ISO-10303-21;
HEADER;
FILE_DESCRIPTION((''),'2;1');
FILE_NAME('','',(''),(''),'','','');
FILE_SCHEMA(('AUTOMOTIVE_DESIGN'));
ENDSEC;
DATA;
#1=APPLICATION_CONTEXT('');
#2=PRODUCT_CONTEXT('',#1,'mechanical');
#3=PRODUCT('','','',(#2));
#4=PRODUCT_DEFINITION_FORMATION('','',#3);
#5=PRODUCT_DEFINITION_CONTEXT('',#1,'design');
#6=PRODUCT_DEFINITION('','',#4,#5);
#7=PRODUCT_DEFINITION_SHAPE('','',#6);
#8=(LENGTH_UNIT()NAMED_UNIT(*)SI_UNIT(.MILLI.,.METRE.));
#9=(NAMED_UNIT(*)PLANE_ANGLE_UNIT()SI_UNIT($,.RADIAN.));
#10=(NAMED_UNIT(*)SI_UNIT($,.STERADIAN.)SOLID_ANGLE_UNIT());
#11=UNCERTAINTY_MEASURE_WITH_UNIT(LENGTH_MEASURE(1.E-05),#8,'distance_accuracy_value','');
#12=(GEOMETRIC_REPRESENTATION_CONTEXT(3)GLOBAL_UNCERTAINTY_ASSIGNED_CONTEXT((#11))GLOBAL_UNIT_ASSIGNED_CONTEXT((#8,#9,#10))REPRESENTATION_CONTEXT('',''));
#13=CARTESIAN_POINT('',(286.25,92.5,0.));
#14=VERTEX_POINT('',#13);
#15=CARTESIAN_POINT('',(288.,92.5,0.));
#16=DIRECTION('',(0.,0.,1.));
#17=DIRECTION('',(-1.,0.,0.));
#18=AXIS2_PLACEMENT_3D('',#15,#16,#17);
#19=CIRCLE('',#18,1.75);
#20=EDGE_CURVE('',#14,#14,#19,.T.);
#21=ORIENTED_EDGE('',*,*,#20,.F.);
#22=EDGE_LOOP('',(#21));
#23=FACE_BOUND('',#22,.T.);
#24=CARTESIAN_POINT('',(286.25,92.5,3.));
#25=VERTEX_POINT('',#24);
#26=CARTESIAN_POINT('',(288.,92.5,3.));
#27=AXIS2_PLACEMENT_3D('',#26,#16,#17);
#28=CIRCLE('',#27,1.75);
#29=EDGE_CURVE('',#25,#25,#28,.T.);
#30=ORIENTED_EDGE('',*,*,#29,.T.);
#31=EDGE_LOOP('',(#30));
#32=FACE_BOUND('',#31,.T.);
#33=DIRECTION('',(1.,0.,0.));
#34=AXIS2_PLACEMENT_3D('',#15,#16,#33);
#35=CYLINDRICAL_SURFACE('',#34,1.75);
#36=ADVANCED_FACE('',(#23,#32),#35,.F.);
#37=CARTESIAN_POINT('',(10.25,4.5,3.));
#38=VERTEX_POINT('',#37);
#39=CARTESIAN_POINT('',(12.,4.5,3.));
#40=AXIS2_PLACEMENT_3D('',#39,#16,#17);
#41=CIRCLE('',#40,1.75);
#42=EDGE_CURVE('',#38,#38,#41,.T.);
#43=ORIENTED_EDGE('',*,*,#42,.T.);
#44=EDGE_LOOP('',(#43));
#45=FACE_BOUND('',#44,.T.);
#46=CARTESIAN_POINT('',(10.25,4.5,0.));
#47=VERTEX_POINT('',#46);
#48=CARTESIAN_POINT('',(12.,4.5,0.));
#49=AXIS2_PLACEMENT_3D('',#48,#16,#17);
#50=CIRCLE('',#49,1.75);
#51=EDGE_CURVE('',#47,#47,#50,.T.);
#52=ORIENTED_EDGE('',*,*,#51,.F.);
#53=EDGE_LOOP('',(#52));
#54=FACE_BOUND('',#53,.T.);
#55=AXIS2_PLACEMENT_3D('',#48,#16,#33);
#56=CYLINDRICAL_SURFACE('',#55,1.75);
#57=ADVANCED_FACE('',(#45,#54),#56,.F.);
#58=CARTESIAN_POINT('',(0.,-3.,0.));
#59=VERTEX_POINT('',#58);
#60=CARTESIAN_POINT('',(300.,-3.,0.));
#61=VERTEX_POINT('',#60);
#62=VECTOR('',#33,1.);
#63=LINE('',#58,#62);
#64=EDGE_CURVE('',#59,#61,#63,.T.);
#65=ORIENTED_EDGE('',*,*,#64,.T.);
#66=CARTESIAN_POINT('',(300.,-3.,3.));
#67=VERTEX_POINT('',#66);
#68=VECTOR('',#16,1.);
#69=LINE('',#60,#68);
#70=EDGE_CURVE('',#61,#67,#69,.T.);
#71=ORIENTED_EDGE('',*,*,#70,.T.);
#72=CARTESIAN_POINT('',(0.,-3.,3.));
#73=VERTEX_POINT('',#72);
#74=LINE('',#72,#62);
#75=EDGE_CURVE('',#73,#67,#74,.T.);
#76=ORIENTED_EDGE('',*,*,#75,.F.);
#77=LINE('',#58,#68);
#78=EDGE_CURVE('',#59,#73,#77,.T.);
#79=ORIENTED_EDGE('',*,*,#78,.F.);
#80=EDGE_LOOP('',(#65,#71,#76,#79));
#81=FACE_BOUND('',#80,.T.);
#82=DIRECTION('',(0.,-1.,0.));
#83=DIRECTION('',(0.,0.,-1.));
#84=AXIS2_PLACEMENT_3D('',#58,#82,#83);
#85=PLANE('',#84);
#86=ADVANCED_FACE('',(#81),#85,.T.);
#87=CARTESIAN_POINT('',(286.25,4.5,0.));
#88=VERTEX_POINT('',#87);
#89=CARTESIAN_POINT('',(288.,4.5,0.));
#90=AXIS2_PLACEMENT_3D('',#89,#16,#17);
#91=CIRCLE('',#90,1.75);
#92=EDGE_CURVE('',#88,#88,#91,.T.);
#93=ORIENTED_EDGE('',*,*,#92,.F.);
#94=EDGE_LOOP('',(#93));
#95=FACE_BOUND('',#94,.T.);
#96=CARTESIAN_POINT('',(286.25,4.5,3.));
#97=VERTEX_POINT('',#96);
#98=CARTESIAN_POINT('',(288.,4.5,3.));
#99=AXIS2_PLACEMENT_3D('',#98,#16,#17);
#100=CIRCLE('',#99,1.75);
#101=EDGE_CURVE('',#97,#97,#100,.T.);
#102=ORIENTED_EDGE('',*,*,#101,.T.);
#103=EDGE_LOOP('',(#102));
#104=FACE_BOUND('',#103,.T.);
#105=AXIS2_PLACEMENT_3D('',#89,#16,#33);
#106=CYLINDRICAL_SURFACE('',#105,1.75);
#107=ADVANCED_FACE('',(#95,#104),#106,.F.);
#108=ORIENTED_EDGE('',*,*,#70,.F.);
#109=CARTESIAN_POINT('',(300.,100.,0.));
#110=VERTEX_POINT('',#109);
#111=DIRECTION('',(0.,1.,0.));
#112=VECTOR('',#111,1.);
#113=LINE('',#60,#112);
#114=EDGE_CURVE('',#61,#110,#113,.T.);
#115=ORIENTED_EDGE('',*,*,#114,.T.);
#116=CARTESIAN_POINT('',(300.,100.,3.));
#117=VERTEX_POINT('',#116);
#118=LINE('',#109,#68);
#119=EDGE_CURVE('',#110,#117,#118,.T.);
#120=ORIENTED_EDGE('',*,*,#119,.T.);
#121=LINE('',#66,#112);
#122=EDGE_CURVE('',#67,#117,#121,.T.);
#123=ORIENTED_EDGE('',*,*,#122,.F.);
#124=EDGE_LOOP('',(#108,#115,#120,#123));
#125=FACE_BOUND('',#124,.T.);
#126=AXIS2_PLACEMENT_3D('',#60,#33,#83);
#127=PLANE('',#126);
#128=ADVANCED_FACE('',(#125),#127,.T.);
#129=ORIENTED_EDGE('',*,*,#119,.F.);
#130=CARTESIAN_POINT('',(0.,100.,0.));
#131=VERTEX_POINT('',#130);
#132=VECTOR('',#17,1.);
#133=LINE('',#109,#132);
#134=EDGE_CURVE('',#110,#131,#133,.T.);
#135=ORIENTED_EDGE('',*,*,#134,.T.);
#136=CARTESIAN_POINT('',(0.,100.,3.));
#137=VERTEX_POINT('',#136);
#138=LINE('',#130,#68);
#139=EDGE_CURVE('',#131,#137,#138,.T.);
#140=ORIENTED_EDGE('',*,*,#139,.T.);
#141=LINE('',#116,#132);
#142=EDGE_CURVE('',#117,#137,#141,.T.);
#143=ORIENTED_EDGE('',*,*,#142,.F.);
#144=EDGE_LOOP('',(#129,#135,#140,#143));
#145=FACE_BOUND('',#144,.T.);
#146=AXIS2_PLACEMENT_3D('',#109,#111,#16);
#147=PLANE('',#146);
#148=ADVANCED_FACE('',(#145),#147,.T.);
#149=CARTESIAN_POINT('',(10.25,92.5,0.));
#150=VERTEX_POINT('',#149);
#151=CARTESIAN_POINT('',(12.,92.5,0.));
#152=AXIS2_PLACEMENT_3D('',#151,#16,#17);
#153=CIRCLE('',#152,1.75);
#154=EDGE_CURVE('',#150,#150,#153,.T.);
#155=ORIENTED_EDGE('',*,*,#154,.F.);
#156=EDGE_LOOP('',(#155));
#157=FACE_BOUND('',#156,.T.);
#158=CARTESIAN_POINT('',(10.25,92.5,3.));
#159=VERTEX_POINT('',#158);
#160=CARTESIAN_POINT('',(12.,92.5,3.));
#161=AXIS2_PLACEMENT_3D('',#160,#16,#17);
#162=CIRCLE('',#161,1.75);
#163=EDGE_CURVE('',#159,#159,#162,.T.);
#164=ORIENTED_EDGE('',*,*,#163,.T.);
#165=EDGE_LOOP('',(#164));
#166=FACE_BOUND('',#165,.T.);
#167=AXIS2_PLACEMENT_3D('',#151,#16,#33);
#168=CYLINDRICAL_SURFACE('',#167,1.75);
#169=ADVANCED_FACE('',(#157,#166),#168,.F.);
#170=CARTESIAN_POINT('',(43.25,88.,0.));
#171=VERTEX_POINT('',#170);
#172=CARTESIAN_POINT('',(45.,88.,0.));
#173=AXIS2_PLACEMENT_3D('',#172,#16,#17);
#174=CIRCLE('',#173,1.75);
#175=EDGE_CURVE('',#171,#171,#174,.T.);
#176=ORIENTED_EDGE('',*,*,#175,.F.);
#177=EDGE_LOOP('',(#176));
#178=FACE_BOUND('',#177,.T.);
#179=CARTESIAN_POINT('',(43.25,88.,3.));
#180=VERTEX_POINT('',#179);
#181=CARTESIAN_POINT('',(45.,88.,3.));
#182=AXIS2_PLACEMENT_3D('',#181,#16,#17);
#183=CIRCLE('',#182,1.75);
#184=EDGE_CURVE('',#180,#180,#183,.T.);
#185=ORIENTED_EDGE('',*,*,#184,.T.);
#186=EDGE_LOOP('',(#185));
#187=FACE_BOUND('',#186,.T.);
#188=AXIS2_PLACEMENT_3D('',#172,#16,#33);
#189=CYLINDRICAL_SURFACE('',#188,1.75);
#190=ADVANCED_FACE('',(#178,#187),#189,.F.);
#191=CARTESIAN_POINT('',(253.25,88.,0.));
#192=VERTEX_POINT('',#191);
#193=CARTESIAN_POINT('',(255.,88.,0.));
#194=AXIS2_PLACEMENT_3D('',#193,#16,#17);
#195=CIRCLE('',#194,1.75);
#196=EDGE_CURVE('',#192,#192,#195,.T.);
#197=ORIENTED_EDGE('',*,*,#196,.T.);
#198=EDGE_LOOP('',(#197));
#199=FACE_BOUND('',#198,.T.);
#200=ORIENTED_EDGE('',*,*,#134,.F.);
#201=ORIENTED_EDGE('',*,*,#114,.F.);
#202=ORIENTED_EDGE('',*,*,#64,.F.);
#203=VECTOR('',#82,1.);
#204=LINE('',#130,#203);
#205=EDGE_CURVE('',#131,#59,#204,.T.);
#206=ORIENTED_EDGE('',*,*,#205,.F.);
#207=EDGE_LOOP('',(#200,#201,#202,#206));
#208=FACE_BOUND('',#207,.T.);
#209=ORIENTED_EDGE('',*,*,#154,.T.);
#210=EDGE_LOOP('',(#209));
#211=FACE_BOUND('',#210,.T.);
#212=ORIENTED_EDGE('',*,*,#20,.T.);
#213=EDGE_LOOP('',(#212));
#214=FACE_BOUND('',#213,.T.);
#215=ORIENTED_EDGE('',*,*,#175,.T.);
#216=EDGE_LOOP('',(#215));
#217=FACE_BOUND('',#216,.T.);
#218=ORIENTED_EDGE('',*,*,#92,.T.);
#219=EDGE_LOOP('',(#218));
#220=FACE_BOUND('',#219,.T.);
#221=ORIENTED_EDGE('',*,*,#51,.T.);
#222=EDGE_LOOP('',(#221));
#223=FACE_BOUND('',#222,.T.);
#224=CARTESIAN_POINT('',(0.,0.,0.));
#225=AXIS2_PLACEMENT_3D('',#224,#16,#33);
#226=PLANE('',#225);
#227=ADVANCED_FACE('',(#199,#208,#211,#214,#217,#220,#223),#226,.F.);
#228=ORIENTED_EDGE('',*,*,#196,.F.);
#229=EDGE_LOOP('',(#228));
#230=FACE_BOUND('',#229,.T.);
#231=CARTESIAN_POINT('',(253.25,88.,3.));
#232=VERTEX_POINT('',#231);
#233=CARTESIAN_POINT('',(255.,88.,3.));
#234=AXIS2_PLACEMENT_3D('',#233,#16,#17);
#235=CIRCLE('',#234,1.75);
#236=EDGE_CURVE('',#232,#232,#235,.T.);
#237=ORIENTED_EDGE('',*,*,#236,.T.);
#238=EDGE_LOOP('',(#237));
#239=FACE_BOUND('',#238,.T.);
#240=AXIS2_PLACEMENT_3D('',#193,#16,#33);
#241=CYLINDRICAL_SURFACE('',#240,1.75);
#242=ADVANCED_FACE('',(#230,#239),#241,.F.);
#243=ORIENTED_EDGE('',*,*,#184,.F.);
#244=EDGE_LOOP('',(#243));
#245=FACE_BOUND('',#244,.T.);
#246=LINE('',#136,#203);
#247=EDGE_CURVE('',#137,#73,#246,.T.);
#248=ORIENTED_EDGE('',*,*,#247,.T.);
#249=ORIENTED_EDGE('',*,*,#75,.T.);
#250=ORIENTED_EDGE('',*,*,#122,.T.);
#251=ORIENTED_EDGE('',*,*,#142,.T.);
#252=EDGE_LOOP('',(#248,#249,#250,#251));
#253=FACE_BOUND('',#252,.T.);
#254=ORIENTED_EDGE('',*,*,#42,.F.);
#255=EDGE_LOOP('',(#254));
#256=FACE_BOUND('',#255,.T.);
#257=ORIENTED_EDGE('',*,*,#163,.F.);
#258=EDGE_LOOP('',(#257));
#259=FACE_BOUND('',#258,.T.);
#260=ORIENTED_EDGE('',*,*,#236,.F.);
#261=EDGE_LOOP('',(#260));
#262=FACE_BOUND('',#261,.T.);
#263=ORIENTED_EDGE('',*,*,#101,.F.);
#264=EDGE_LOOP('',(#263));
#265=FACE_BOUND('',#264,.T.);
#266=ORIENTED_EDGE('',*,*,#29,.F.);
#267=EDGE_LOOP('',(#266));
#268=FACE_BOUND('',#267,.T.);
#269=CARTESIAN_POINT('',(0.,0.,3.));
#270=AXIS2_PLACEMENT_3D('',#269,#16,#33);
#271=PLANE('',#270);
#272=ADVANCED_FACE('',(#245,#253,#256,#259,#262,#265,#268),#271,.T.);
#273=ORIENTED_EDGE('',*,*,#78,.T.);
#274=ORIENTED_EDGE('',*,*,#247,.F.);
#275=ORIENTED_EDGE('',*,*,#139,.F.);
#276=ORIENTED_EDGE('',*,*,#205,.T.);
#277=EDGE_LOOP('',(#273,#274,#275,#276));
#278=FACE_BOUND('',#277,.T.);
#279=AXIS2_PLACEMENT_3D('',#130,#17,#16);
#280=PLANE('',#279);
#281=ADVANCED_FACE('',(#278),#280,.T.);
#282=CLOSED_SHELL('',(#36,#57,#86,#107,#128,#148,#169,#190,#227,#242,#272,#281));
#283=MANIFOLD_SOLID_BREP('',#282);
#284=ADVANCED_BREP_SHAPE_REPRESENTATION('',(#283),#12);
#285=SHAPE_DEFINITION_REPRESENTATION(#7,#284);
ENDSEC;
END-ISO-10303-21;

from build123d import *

# Parameters (mm, degrees)
SKETCH1_W           = 300
SKETCH1_H           = 103
SKETCH1_R           = 1.75
BOSS_EXTRUDE1_DEPTH = 3


with BuildPart() as part:
    # Sketch1 → Boss-Extrude1 (new body)
    with BuildSketch(Plane.XY.offset(3)):
        with Locations((150, 48.5)):
            Rectangle(SKETCH1_W, SKETCH1_H)
        with Locations((288, 92.5)):
            Circle(SKETCH1_R, mode=Mode.SUBTRACT)
        with Locations((12, 92.5)):
            Circle(SKETCH1_R, mode=Mode.SUBTRACT)
        with Locations((12, 4.5)):
            Circle(SKETCH1_R, mode=Mode.SUBTRACT)
        with Locations((288, 4.5)):
            Circle(SKETCH1_R, mode=Mode.SUBTRACT)
        with Locations((45, 88)):
            Circle(SKETCH1_R, mode=Mode.SUBTRACT)
        with Locations((255, 88)):
            Circle(SKETCH1_R, mode=Mode.SUBTRACT)
    extrude(amount=-BOSS_EXTRUDE1_DEPTH)


solid = part.part
